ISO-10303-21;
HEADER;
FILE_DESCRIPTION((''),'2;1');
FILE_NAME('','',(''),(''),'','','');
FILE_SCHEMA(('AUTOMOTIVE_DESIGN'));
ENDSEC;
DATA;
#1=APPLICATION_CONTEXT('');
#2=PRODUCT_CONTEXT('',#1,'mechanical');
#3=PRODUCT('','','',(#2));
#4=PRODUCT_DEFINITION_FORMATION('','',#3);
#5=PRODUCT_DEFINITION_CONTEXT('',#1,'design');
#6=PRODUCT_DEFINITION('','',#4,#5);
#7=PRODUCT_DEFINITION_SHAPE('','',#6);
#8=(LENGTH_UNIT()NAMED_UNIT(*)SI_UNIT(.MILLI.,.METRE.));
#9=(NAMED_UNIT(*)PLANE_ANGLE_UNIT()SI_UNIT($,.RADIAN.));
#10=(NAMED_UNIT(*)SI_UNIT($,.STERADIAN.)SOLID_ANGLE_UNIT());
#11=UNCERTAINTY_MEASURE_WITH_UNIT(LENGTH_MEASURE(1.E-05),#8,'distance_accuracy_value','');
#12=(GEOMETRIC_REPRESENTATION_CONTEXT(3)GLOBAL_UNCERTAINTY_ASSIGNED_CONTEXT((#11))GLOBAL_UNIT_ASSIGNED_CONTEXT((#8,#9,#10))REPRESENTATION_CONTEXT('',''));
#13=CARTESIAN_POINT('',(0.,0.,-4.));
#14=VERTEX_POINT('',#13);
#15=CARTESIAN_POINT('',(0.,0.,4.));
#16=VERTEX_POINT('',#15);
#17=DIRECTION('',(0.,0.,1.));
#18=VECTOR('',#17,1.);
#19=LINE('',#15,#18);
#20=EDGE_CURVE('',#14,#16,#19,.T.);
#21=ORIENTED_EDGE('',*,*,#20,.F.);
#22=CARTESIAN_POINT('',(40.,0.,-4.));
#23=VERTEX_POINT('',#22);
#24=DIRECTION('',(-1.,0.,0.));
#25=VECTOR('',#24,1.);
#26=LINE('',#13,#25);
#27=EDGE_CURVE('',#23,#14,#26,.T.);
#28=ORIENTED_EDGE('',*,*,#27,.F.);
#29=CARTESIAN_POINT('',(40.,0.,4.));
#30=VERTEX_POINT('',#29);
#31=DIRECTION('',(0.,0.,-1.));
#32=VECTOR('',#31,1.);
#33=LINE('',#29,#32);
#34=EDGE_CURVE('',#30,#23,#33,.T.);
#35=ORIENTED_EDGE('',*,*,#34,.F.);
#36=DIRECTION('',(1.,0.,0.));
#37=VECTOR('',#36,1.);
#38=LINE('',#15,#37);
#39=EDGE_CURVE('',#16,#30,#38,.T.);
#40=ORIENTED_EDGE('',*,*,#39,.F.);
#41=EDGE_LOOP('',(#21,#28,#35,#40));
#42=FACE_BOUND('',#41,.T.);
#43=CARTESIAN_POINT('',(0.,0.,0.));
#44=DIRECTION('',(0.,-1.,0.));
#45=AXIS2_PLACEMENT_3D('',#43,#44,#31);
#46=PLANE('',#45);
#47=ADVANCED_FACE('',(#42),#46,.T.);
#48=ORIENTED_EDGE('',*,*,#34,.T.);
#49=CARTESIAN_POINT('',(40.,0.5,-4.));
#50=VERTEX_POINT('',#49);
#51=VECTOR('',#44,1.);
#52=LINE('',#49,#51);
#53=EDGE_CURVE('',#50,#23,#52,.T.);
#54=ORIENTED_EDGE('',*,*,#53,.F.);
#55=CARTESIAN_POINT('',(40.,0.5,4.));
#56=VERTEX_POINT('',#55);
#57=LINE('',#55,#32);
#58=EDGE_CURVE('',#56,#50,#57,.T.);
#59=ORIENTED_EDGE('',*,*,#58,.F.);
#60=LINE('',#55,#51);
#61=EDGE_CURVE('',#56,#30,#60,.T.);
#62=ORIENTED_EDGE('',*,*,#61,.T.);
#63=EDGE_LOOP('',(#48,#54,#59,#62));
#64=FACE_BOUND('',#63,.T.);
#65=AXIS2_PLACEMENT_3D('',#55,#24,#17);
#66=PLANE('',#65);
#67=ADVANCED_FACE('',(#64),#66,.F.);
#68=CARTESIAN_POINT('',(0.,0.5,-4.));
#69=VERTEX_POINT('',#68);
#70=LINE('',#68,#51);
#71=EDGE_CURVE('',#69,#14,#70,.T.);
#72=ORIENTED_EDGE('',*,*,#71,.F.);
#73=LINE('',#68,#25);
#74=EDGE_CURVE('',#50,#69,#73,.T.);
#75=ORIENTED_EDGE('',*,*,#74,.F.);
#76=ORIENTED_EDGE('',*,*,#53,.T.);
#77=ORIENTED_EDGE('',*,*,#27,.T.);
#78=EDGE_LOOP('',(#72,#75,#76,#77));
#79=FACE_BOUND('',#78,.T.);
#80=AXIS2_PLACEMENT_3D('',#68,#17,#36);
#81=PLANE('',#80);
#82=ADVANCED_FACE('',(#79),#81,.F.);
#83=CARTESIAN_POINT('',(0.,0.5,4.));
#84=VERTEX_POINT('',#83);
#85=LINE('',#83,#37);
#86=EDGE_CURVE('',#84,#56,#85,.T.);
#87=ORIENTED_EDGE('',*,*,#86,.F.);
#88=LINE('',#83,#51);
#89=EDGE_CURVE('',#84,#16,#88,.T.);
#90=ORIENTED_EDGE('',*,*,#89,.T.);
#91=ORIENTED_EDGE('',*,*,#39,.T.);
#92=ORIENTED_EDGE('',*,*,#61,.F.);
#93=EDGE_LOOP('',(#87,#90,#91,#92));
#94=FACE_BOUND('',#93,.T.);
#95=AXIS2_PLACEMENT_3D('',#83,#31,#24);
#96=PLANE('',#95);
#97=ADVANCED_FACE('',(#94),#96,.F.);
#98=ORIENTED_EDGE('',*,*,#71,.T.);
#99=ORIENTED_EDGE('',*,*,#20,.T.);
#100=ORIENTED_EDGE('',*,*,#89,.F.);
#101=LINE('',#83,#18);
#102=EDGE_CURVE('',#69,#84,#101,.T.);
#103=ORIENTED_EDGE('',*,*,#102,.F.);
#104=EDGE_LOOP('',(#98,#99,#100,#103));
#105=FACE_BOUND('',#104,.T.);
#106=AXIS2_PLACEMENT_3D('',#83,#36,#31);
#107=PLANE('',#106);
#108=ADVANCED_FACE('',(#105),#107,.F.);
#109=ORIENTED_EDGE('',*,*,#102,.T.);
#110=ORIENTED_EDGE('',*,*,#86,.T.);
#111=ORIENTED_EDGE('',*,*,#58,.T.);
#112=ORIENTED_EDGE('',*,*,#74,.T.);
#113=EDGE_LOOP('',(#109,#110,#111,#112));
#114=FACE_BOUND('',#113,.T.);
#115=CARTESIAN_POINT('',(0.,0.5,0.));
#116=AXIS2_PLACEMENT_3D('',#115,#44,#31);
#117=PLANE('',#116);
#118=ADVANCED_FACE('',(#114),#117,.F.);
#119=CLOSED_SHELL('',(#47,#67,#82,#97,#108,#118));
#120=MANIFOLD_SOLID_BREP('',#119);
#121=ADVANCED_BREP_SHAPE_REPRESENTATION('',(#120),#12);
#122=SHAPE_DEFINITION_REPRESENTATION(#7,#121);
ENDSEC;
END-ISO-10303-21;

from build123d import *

# Parameters (mm, degrees)
SKETCH_1_W      = 40
SKETCH_1_H      = 8
EXTRUDE_1_DEPTH = 0.5


with BuildPart() as part:
    # 草图1 → 凸台-拉伸1 (new body)
    with BuildSketch(Plane(origin=(0, 0, 0), x_dir=(1, 0, 0), z_dir=(0, 1, 0))):
        with Locations((20, 0)):
            Rectangle(SKETCH_1_W, SKETCH_1_H)
    extrude(amount=EXTRUDE_1_DEPTH)


solid = part.part
